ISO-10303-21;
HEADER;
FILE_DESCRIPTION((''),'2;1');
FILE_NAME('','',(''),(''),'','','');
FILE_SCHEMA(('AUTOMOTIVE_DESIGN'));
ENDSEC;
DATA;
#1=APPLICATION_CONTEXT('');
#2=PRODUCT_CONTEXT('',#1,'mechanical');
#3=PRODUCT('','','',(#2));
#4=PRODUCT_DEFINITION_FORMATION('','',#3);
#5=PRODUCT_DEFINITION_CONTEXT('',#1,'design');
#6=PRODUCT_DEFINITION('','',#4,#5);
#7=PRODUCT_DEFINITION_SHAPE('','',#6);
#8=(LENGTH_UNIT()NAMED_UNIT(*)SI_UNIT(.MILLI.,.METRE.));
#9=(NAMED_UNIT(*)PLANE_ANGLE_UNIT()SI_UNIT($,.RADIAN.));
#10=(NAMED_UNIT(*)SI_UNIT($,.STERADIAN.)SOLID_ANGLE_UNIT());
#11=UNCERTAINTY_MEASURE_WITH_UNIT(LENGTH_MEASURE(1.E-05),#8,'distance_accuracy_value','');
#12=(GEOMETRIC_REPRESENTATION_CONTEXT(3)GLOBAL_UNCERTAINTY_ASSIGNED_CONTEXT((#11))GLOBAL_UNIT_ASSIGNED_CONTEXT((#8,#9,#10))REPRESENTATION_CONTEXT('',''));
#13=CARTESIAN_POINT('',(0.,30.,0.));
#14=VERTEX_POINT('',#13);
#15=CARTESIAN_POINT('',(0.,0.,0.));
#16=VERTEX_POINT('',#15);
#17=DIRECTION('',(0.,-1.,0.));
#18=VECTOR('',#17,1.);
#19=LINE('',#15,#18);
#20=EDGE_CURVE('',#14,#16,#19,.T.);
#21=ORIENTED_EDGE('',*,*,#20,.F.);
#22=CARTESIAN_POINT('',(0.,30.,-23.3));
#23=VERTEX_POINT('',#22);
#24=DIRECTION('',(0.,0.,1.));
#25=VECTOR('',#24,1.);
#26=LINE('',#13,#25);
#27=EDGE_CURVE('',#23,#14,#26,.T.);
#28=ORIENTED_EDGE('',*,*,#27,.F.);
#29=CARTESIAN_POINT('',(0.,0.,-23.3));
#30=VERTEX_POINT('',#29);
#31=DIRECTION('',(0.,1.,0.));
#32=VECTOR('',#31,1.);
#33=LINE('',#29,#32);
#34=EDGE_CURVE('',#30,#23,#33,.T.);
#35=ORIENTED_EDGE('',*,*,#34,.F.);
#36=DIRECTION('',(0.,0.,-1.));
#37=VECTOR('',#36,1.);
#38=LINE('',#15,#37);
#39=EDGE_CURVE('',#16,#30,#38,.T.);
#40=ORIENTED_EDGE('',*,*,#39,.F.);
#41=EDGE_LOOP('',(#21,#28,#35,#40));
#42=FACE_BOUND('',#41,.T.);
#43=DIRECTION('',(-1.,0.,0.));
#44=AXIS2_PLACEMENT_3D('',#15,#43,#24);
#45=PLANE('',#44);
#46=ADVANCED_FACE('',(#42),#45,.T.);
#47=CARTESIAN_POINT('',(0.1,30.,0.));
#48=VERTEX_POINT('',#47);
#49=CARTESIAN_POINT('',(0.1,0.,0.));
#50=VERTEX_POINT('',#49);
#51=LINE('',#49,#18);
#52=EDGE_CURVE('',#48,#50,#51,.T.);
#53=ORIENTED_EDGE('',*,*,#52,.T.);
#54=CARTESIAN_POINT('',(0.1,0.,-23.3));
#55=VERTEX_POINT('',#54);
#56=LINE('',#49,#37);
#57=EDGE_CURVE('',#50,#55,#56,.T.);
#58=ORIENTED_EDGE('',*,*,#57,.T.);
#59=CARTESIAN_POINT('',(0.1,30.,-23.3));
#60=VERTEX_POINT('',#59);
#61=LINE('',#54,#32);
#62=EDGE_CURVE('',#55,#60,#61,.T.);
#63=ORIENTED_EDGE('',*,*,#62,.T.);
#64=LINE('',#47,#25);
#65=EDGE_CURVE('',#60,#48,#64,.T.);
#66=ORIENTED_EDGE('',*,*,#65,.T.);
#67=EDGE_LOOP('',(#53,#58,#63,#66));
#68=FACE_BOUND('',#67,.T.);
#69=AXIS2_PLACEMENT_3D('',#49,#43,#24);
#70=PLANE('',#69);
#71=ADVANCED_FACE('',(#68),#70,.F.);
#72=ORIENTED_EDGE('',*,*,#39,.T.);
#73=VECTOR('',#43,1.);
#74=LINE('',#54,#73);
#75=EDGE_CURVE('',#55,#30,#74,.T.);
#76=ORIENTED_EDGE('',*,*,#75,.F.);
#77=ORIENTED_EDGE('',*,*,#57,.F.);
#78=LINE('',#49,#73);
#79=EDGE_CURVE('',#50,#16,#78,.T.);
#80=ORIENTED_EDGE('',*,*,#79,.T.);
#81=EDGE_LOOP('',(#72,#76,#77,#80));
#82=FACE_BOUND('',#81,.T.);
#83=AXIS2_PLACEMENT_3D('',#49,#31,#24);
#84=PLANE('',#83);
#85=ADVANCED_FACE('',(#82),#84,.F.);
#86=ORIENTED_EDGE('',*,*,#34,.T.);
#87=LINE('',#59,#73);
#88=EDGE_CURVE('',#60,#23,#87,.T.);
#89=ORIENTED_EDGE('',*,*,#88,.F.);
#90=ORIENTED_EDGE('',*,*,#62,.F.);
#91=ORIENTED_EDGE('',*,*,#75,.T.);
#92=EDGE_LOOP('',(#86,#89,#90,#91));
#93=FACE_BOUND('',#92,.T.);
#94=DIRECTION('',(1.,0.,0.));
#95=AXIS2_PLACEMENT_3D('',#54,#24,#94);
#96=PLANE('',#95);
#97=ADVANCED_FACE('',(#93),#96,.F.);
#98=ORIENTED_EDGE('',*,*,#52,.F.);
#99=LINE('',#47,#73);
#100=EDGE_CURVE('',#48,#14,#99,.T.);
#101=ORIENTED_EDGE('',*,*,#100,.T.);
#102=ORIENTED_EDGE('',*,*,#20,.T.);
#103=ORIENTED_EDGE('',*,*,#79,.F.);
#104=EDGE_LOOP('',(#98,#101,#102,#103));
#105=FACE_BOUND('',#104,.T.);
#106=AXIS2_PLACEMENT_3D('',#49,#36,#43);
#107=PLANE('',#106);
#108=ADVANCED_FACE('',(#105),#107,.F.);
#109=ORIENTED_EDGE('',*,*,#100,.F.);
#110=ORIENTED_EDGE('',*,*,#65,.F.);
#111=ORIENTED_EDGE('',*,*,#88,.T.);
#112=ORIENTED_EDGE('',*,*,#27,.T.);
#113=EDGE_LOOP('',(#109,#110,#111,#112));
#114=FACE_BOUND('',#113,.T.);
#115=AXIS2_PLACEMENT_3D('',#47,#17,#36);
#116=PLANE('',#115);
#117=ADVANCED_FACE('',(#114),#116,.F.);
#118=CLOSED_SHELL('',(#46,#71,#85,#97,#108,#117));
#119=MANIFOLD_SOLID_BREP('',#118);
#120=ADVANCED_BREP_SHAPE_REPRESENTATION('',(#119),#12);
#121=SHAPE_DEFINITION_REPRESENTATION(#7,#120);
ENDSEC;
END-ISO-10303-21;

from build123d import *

# Parameters (mm, degrees)
CROQUIS1_W              = 23.3
CROQUIS1_H              = 30
SALIENTE_EXTRUIR1_DEPTH = 0.1


with BuildPart() as part:
    # Croquis1 → Saliente-Extruir1 (new body)
    with BuildSketch(Plane(origin=(0, 0, 0), x_dir=(0, 0, -1), z_dir=(1, 0, 0))):
        with Locations((11.65, 15)):
            Rectangle(CROQUIS1_W, CROQUIS1_H)
    extrude(amount=SALIENTE_EXTRUIR1_DEPTH)


solid = part.part
